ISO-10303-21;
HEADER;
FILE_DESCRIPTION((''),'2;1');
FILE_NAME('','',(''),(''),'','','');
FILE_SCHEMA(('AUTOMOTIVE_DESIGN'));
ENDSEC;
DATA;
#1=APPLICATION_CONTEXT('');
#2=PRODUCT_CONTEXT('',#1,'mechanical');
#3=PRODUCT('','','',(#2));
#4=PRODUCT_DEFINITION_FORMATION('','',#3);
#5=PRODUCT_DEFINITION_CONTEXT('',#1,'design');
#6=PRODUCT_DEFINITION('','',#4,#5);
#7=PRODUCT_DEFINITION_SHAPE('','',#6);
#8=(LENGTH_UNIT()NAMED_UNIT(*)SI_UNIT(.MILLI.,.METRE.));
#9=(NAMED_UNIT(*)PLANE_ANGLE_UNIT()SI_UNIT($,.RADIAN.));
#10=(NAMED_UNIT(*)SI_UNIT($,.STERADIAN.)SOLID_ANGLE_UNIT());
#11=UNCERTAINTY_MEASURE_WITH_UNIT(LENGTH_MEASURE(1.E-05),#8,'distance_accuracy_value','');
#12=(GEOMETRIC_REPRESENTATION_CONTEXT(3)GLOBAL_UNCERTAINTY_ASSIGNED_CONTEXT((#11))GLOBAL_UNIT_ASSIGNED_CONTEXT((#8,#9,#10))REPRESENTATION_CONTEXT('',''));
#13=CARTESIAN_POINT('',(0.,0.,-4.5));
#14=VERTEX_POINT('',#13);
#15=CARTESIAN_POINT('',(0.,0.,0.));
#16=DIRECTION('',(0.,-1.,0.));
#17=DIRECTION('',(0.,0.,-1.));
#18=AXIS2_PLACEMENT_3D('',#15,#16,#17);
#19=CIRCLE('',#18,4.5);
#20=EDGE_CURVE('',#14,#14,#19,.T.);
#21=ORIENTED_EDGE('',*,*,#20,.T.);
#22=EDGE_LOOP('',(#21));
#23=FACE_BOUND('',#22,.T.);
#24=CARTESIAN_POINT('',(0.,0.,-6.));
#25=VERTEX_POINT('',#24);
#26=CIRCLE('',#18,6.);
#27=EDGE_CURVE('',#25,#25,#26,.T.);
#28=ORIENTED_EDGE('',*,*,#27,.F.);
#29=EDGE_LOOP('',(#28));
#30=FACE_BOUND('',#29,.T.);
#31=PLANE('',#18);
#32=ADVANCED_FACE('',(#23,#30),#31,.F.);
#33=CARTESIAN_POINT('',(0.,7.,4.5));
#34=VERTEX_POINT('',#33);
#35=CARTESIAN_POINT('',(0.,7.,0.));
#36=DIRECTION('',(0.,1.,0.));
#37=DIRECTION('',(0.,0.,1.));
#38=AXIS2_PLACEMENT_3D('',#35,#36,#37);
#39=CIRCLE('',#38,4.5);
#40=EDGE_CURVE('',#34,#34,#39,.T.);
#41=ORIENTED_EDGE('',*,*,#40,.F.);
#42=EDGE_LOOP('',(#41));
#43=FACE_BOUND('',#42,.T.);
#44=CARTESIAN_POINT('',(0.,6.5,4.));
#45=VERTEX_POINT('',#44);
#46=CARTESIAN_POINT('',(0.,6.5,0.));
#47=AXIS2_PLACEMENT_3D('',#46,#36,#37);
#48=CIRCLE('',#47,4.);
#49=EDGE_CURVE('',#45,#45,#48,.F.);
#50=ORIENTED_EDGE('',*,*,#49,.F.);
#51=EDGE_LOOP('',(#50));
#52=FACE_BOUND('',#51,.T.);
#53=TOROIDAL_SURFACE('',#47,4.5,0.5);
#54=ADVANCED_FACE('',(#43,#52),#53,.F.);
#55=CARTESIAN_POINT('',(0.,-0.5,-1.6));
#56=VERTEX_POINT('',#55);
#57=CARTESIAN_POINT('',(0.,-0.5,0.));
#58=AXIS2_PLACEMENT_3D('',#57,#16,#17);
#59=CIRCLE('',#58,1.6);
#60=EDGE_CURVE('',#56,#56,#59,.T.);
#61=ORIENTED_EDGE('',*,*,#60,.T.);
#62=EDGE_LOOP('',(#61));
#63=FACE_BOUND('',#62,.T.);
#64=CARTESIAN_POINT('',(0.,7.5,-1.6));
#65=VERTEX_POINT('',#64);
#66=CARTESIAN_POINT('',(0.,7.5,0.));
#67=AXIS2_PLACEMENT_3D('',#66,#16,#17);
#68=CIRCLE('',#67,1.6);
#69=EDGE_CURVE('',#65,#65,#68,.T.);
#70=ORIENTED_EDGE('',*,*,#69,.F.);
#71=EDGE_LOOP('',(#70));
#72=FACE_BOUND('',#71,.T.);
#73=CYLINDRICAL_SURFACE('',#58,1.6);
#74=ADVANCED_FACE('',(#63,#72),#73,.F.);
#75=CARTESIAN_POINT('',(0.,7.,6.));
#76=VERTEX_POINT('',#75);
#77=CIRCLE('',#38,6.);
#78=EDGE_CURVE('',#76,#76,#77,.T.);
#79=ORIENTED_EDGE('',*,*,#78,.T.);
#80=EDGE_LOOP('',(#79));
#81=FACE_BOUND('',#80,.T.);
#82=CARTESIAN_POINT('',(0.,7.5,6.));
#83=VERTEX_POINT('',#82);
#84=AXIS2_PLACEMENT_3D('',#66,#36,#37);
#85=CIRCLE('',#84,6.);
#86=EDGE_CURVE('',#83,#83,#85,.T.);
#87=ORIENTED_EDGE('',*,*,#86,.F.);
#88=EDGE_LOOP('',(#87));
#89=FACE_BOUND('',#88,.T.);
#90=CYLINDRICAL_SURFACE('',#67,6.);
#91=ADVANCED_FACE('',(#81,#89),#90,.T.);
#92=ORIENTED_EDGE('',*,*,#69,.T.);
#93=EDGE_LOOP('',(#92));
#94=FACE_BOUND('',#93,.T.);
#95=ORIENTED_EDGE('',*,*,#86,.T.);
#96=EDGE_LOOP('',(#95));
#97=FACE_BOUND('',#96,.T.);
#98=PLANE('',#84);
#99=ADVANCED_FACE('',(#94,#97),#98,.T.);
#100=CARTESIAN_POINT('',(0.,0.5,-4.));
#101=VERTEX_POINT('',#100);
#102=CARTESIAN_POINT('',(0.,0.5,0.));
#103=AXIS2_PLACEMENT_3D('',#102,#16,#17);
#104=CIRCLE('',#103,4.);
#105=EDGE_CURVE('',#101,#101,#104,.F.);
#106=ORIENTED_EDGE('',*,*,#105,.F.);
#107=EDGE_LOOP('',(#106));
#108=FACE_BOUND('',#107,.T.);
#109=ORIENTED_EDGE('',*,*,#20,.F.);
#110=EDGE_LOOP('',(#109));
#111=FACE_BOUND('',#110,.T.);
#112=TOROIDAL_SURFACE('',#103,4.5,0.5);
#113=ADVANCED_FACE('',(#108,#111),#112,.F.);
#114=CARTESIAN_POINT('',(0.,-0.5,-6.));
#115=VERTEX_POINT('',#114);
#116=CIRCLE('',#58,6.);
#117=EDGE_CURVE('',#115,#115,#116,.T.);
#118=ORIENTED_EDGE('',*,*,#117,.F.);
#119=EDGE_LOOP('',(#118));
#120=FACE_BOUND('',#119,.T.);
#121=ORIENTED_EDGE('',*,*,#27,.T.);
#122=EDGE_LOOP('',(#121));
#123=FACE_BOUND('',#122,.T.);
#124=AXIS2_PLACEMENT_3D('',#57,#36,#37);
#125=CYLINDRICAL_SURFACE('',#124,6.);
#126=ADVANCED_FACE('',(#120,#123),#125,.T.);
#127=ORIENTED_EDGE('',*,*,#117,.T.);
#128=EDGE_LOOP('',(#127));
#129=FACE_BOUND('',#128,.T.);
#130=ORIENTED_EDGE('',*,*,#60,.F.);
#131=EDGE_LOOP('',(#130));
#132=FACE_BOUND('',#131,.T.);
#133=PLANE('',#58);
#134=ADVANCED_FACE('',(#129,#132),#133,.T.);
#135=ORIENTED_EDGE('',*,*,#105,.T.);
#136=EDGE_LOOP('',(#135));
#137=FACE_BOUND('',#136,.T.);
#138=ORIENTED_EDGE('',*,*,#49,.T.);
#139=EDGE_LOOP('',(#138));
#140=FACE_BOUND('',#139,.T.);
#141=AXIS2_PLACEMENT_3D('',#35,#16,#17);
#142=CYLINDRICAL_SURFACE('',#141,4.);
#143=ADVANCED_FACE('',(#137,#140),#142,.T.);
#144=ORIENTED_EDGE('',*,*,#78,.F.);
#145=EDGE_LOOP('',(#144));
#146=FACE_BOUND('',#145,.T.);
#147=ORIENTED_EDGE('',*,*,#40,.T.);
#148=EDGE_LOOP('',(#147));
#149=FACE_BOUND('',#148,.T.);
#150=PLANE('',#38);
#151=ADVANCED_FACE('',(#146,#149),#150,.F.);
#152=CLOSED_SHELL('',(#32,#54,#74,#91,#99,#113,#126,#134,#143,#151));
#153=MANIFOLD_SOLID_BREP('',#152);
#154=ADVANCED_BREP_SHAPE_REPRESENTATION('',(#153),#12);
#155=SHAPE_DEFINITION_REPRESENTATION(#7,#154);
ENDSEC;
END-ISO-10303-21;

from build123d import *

# Parameters (mm, degrees)
SKETCH1_R            = 4
BOSS_EXTRUDE1_DEPTH  = 7
SKETCH2_R            = 6
BOSS_EXTRUDE2_DEPTH  = 0.5
BOSS_EXTRUDE3_START  = 0.5
SKETCH3_R            = 6
BOSS_EXTRUDE3_DEPTH  = 0.5
M3_CLEARANCE_HOLE1_D = 3.2
FILLET1_R            = 0.5


with BuildPart() as part:
    # Sketch1 → Boss-Extrude1 (new body)
    with BuildSketch(Plane(origin=(0, 0, 0), x_dir=(1, 0, 0), z_dir=(0, 1, 0))):
        with Locations(Location((0, 0, 0), (0, 0, 270))):
            Circle(SKETCH1_R)
    extrude(amount=BOSS_EXTRUDE1_DEPTH)

    # Sketch2 → Boss-Extrude2 (add)
    with BuildSketch(Plane(origin=(0, 7, 0), x_dir=(1, 0, 0), z_dir=(0, 1, 0))):
        with Locations(Location((0, 0, 0), (0, 0, 270))):
            Circle(SKETCH2_R)
    extrude(amount=BOSS_EXTRUDE2_DEPTH)

    # Sketch3 → Boss-Extrude3 (add)
    with BuildSketch(Plane.XZ.offset(BOSS_EXTRUDE3_START)):
        with Locations(Location((0, 0, 0), (0, 0, 90))):
            Circle(SKETCH3_R)
    extrude(amount=-BOSS_EXTRUDE3_DEPTH)

    # M3 Clearance Hole1 (through all)
    with Locations(Plane(origin=(0, -0.5, 0), x_dir=(-1, 0, 0), z_dir=(0, -1, 0))):
        with Locations((0, 0)):
            Hole(M3_CLEARANCE_HOLE1_D / 2)

    # Fillet1
    fillet1_edges = [part.edges().sort_by_distance(p)[0] for p in [
        (0, 7, -4),
        (0, 0, -4),
    ]]
    fillet(fillet1_edges, radius=FILLET1_R)


solid = part.part
